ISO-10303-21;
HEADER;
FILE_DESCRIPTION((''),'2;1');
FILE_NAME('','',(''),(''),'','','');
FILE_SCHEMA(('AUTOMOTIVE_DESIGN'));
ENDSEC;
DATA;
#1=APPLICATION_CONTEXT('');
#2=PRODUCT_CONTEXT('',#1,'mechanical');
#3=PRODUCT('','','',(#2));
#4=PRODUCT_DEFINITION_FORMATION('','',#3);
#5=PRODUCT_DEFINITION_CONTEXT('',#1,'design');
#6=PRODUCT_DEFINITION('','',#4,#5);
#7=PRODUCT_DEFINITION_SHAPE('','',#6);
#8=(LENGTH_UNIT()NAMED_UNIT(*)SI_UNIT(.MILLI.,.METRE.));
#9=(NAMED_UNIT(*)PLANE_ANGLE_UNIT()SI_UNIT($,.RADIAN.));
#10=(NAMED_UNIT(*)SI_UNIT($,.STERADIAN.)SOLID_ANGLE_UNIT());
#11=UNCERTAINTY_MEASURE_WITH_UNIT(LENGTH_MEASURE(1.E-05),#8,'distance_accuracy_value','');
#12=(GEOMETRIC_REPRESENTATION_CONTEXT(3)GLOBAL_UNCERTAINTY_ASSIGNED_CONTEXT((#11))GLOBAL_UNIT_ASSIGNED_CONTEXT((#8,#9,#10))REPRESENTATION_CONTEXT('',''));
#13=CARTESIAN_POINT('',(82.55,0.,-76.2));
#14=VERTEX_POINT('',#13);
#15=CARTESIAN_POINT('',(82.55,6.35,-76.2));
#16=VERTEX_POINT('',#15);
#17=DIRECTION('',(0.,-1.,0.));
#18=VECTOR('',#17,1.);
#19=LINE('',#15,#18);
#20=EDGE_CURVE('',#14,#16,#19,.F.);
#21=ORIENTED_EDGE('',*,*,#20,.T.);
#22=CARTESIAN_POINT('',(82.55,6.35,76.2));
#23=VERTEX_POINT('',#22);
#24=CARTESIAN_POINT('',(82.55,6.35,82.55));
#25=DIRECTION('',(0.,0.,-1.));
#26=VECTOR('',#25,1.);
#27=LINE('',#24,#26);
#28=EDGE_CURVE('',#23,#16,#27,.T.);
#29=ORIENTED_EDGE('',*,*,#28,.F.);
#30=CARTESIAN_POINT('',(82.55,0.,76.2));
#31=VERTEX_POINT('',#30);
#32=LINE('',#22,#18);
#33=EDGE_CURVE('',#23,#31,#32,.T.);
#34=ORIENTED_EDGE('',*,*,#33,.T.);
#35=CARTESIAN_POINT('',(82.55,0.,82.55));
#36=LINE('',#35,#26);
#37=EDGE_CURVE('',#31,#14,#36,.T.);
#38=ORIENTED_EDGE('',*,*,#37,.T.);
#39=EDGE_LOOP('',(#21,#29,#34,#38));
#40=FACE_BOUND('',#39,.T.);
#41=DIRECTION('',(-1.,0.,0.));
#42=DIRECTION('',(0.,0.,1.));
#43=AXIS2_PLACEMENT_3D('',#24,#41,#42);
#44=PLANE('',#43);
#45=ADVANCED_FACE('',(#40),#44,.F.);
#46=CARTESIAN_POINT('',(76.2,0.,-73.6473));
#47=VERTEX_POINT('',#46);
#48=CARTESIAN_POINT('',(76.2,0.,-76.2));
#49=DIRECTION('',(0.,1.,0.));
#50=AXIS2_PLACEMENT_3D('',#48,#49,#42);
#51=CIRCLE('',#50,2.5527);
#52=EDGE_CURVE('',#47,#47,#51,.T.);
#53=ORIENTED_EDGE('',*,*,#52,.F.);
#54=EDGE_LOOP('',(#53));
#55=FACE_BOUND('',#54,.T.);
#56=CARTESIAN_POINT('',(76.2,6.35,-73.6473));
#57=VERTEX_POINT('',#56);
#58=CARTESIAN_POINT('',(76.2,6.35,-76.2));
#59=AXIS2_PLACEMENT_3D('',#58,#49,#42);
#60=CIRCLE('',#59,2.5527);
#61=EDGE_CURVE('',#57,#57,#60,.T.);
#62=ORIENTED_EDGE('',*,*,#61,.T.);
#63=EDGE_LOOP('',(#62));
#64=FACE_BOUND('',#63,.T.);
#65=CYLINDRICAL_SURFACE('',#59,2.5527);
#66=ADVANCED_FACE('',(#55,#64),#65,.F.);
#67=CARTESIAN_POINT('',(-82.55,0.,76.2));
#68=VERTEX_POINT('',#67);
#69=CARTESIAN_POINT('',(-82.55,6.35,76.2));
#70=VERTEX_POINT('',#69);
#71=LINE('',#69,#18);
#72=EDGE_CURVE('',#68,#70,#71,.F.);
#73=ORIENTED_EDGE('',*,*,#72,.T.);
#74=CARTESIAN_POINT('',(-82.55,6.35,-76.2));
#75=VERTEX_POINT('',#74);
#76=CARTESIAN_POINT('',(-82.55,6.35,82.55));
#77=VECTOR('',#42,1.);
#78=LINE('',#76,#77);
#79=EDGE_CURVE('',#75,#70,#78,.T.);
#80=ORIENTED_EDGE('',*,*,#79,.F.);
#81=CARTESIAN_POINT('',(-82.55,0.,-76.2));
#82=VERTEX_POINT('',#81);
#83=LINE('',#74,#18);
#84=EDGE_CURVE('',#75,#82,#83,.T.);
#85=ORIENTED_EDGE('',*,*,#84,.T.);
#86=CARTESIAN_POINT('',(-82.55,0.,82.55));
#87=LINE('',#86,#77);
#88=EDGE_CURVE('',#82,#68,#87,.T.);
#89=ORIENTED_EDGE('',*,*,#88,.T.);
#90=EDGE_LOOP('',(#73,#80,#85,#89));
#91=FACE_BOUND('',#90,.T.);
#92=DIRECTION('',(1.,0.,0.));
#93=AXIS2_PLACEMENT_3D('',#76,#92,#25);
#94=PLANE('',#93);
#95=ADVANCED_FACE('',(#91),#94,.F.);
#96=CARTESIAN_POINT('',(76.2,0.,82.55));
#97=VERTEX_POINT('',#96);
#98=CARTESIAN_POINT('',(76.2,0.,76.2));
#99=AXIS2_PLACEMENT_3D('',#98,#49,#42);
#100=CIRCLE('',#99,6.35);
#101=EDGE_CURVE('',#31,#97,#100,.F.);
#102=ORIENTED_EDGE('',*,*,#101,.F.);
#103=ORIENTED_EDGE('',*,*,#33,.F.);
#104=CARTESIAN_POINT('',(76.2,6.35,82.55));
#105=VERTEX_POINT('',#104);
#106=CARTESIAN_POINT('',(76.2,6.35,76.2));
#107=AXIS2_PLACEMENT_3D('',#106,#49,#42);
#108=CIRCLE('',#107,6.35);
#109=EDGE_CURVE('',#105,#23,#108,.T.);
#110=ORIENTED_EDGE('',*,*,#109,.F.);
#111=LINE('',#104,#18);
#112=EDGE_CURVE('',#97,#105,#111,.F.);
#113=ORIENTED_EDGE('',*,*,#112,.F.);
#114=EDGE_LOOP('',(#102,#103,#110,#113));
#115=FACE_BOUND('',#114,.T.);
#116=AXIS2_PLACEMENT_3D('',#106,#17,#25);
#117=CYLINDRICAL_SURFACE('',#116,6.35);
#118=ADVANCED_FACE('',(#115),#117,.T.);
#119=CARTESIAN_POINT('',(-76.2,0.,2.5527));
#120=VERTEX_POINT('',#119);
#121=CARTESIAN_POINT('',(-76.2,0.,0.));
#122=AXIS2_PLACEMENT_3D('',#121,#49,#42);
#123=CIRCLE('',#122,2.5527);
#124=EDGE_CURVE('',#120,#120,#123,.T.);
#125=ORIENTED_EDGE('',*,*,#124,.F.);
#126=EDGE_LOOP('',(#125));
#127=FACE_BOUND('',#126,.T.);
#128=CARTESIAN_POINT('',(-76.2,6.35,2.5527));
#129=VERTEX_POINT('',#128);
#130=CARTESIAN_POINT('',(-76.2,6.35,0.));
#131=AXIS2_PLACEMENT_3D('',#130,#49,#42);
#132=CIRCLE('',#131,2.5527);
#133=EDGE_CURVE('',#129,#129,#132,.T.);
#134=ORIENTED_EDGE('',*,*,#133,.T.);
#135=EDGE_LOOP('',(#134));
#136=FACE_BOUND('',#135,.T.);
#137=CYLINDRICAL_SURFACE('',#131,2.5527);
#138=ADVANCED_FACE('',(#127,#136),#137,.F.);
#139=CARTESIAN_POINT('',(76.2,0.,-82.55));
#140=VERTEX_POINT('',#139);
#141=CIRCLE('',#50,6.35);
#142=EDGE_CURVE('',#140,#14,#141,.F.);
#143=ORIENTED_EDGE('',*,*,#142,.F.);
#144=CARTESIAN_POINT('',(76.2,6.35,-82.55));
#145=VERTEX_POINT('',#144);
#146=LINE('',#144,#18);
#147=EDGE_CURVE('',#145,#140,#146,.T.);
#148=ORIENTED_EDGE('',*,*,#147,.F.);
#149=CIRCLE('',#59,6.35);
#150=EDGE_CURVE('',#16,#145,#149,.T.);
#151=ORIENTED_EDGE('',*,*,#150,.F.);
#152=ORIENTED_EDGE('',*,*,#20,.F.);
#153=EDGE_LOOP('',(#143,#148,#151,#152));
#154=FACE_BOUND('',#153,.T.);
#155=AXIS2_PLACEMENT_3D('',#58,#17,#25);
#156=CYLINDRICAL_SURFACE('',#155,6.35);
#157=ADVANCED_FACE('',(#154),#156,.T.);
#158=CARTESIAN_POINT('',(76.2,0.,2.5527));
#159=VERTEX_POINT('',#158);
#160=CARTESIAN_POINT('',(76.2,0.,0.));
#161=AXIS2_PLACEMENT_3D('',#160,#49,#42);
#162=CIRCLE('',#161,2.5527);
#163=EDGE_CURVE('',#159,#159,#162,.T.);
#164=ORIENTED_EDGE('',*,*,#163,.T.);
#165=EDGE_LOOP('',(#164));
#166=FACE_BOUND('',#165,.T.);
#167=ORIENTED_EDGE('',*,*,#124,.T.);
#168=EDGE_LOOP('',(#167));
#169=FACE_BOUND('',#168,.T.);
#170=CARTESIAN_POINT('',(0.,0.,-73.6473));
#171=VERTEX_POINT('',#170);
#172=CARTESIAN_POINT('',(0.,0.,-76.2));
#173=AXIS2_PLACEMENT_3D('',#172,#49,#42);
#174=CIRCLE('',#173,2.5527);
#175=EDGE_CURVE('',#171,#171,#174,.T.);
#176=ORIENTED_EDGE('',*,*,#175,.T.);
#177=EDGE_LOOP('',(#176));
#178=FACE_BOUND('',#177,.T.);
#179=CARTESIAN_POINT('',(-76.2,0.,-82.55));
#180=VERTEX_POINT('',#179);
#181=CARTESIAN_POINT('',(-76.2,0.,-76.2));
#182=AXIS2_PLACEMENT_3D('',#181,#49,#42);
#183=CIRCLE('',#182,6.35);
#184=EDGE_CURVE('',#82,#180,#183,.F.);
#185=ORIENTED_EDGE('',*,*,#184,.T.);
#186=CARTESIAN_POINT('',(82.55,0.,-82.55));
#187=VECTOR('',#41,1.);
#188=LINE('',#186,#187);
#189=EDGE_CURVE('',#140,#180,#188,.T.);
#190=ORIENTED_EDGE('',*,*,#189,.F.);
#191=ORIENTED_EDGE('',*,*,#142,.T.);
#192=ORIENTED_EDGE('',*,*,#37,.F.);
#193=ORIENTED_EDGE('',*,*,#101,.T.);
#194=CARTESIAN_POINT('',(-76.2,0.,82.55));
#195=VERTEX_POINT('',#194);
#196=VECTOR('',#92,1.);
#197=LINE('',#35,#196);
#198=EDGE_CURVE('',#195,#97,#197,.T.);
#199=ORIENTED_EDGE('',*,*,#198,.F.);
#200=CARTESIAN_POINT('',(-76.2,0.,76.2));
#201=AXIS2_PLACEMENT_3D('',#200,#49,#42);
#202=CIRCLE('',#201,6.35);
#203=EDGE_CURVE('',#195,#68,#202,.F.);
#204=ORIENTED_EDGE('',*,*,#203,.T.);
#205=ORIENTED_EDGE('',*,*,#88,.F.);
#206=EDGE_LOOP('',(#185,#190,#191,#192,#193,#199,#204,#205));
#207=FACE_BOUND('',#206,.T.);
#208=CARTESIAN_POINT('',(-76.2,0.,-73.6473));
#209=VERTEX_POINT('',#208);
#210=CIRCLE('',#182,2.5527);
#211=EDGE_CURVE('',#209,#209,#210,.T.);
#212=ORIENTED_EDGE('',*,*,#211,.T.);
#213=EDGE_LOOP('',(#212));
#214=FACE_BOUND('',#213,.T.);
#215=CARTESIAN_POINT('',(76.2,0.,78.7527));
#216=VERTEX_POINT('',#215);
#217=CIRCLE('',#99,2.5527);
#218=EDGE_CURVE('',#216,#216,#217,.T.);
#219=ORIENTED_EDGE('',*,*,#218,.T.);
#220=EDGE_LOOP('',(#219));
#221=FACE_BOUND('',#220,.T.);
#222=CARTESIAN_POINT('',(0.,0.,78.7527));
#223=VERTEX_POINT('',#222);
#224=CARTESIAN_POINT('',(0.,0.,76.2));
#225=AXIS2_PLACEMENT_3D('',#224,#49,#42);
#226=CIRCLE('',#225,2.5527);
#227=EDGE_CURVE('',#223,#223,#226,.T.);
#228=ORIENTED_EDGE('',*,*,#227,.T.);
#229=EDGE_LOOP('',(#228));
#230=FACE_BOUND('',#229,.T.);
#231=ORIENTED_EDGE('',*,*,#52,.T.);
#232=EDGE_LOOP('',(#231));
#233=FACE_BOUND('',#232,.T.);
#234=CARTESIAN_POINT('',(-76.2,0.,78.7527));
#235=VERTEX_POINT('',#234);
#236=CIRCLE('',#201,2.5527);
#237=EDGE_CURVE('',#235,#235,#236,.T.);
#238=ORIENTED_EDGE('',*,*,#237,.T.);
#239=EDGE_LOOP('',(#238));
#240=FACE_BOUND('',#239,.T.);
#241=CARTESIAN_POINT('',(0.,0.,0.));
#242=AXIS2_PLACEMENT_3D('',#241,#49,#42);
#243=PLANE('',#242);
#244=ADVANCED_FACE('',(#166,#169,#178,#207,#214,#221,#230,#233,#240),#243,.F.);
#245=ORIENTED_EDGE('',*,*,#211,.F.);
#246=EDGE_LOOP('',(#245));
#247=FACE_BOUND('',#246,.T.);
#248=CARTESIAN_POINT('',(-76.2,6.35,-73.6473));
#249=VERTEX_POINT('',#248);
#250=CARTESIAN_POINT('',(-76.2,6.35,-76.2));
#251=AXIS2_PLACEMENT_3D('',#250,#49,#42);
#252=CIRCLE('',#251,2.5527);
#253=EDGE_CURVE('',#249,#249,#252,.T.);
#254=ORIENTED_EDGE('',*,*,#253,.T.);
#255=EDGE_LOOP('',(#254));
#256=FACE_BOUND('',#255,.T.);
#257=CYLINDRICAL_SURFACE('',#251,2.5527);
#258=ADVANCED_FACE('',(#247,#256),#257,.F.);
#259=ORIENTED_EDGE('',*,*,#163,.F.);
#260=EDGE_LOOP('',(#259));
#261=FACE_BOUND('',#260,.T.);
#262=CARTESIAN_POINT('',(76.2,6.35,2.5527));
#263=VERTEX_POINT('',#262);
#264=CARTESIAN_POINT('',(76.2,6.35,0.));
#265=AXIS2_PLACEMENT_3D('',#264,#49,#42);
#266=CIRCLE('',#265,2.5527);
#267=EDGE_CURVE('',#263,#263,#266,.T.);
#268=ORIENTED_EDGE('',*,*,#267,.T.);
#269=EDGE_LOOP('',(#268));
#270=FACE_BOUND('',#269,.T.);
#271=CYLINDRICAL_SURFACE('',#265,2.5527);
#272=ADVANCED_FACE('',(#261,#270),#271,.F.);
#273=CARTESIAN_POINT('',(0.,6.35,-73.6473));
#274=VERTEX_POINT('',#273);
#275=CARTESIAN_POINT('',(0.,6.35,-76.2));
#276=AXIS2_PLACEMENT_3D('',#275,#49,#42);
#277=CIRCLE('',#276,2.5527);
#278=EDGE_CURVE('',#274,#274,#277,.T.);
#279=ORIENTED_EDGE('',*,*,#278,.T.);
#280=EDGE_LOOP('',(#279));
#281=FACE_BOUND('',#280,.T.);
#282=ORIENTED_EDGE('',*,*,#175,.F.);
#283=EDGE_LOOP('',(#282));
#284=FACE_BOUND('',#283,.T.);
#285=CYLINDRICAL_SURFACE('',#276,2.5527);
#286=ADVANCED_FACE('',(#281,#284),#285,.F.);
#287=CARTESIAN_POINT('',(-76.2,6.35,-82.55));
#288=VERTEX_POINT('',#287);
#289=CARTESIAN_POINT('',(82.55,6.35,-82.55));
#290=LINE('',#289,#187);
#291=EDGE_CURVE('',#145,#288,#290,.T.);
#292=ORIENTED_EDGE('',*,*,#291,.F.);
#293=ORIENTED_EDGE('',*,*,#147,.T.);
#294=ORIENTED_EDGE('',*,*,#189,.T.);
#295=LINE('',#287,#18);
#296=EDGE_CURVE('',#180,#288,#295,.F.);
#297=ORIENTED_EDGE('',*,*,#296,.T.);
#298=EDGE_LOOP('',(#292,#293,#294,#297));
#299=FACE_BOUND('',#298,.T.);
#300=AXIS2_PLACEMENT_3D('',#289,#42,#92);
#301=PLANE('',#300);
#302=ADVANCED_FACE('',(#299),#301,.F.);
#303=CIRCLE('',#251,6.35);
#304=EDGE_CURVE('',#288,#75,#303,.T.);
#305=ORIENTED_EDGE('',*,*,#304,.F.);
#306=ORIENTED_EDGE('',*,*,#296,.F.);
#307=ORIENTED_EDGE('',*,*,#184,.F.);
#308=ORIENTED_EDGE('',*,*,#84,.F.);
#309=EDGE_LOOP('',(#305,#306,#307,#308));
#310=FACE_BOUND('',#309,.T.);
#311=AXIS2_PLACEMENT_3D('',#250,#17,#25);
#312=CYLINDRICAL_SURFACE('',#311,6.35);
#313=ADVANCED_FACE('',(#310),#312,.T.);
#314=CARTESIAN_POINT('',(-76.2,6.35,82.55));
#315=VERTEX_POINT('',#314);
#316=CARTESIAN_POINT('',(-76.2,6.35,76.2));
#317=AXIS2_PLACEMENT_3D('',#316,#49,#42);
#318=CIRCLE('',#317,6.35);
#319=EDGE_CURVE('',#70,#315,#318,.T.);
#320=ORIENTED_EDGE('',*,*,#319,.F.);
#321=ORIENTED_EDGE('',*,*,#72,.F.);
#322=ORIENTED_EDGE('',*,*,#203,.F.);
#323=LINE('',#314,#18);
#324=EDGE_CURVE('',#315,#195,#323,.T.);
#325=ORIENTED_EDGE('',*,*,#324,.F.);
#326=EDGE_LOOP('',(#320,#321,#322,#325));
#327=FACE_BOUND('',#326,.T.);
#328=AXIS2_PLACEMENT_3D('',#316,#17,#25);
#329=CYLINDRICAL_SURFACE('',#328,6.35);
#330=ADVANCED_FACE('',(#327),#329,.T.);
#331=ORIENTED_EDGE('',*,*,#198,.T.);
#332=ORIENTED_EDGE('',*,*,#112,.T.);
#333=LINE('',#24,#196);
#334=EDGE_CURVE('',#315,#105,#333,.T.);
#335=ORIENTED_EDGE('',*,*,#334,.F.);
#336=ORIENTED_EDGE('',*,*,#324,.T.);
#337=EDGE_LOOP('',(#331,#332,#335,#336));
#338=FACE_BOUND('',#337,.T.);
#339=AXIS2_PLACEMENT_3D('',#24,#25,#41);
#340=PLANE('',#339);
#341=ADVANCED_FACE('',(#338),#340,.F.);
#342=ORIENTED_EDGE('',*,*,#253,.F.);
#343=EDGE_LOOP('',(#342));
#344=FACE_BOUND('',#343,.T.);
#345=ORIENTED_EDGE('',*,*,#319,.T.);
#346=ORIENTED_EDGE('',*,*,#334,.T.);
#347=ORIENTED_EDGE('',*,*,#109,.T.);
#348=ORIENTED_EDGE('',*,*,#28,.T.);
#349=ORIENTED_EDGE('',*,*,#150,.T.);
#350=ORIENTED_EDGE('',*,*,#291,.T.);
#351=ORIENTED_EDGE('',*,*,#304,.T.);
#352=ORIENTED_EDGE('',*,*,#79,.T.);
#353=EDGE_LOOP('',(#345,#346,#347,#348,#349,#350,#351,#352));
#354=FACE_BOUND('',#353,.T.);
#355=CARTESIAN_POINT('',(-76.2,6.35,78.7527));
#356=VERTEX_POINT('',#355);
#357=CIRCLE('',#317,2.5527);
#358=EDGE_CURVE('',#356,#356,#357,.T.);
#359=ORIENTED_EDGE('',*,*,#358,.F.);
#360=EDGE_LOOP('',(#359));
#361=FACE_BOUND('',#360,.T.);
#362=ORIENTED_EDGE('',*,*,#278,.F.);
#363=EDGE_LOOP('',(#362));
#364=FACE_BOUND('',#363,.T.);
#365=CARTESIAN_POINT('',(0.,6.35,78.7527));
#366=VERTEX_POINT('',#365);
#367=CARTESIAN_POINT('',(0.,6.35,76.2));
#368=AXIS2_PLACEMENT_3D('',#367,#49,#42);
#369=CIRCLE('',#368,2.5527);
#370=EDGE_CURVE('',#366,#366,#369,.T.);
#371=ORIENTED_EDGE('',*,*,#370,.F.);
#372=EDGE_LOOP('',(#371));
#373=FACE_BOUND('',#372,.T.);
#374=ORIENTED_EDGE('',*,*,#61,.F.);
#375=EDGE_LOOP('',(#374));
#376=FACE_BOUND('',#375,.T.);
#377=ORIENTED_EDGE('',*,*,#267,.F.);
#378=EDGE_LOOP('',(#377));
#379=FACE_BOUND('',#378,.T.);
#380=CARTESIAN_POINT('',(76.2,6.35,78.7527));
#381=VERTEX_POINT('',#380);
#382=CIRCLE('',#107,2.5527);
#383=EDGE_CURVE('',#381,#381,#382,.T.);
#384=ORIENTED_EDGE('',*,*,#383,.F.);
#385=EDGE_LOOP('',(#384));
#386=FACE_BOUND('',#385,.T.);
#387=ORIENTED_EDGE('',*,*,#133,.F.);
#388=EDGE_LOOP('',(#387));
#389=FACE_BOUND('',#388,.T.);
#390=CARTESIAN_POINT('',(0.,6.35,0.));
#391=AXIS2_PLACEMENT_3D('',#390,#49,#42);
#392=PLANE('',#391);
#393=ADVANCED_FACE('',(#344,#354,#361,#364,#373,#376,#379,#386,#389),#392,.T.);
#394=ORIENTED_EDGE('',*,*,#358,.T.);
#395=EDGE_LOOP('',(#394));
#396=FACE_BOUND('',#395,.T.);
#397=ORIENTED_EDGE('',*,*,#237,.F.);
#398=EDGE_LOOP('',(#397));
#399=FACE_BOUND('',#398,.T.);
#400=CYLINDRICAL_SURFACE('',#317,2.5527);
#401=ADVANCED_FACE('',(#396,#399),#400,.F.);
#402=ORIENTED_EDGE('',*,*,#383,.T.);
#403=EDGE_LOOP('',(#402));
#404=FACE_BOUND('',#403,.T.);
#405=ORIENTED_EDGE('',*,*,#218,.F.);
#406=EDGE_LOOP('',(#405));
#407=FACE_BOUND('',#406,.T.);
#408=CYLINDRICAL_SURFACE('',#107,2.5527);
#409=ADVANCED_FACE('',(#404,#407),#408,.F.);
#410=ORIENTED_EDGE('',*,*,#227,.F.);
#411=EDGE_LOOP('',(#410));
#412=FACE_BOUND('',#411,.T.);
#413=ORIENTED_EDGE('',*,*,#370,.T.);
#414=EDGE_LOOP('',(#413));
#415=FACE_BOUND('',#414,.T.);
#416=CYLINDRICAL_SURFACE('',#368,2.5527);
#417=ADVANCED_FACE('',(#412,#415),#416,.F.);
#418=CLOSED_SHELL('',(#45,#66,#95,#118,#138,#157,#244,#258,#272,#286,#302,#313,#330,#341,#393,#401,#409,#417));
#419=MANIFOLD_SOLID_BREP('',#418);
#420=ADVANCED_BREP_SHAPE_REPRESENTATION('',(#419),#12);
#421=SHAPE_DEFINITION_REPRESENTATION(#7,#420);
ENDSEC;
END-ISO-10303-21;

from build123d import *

# Parameters (mm, degrees)
SKETCH1_W              = 165.1
SKETCH1_H              = 165.1
BOSS_EXTRUDE1_DEPTH    = 6.35
FILLET1_R              = 6.35
F_10_CLEARANCE_HOLE1_D = 5.1054


with BuildPart() as part:
    # Sketch1 → Boss-Extrude1 (new body)
    with BuildSketch(Plane(origin=(0, 0, 0), x_dir=(1, 0, 0), z_dir=(0, 1, 0))):
        Rectangle(SKETCH1_W, SKETCH1_H)
    extrude(amount=BOSS_EXTRUDE1_DEPTH)

    # Fillet1
    fillet1_edges = [part.edges().sort_by_distance(p)[0] for p in [
        (-82.55, 3.175, -82.55),
        (82.55, 3.175, -82.55),
        (82.55, 3.175, 82.55),
        (-82.55, 3.175, 82.55),
    ]]
    fillet(fillet1_edges, radius=FILLET1_R)

    # #10 Clearance Hole1 (through all)
    with Locations(Plane(origin=(0, 6.35, 0), x_dir=(1, 0, 0), z_dir=(0, 1, 0))):
        with Locations((-76.2, -76.2), (-76.2, 76.2), (76.2, 76.2), (76.2, -76.2), (0, 76.2), (0, -76.2), (-76.2, 0), (76.2, 0)):
            Hole(F_10_CLEARANCE_HOLE1_D / 2)


solid = part.part
